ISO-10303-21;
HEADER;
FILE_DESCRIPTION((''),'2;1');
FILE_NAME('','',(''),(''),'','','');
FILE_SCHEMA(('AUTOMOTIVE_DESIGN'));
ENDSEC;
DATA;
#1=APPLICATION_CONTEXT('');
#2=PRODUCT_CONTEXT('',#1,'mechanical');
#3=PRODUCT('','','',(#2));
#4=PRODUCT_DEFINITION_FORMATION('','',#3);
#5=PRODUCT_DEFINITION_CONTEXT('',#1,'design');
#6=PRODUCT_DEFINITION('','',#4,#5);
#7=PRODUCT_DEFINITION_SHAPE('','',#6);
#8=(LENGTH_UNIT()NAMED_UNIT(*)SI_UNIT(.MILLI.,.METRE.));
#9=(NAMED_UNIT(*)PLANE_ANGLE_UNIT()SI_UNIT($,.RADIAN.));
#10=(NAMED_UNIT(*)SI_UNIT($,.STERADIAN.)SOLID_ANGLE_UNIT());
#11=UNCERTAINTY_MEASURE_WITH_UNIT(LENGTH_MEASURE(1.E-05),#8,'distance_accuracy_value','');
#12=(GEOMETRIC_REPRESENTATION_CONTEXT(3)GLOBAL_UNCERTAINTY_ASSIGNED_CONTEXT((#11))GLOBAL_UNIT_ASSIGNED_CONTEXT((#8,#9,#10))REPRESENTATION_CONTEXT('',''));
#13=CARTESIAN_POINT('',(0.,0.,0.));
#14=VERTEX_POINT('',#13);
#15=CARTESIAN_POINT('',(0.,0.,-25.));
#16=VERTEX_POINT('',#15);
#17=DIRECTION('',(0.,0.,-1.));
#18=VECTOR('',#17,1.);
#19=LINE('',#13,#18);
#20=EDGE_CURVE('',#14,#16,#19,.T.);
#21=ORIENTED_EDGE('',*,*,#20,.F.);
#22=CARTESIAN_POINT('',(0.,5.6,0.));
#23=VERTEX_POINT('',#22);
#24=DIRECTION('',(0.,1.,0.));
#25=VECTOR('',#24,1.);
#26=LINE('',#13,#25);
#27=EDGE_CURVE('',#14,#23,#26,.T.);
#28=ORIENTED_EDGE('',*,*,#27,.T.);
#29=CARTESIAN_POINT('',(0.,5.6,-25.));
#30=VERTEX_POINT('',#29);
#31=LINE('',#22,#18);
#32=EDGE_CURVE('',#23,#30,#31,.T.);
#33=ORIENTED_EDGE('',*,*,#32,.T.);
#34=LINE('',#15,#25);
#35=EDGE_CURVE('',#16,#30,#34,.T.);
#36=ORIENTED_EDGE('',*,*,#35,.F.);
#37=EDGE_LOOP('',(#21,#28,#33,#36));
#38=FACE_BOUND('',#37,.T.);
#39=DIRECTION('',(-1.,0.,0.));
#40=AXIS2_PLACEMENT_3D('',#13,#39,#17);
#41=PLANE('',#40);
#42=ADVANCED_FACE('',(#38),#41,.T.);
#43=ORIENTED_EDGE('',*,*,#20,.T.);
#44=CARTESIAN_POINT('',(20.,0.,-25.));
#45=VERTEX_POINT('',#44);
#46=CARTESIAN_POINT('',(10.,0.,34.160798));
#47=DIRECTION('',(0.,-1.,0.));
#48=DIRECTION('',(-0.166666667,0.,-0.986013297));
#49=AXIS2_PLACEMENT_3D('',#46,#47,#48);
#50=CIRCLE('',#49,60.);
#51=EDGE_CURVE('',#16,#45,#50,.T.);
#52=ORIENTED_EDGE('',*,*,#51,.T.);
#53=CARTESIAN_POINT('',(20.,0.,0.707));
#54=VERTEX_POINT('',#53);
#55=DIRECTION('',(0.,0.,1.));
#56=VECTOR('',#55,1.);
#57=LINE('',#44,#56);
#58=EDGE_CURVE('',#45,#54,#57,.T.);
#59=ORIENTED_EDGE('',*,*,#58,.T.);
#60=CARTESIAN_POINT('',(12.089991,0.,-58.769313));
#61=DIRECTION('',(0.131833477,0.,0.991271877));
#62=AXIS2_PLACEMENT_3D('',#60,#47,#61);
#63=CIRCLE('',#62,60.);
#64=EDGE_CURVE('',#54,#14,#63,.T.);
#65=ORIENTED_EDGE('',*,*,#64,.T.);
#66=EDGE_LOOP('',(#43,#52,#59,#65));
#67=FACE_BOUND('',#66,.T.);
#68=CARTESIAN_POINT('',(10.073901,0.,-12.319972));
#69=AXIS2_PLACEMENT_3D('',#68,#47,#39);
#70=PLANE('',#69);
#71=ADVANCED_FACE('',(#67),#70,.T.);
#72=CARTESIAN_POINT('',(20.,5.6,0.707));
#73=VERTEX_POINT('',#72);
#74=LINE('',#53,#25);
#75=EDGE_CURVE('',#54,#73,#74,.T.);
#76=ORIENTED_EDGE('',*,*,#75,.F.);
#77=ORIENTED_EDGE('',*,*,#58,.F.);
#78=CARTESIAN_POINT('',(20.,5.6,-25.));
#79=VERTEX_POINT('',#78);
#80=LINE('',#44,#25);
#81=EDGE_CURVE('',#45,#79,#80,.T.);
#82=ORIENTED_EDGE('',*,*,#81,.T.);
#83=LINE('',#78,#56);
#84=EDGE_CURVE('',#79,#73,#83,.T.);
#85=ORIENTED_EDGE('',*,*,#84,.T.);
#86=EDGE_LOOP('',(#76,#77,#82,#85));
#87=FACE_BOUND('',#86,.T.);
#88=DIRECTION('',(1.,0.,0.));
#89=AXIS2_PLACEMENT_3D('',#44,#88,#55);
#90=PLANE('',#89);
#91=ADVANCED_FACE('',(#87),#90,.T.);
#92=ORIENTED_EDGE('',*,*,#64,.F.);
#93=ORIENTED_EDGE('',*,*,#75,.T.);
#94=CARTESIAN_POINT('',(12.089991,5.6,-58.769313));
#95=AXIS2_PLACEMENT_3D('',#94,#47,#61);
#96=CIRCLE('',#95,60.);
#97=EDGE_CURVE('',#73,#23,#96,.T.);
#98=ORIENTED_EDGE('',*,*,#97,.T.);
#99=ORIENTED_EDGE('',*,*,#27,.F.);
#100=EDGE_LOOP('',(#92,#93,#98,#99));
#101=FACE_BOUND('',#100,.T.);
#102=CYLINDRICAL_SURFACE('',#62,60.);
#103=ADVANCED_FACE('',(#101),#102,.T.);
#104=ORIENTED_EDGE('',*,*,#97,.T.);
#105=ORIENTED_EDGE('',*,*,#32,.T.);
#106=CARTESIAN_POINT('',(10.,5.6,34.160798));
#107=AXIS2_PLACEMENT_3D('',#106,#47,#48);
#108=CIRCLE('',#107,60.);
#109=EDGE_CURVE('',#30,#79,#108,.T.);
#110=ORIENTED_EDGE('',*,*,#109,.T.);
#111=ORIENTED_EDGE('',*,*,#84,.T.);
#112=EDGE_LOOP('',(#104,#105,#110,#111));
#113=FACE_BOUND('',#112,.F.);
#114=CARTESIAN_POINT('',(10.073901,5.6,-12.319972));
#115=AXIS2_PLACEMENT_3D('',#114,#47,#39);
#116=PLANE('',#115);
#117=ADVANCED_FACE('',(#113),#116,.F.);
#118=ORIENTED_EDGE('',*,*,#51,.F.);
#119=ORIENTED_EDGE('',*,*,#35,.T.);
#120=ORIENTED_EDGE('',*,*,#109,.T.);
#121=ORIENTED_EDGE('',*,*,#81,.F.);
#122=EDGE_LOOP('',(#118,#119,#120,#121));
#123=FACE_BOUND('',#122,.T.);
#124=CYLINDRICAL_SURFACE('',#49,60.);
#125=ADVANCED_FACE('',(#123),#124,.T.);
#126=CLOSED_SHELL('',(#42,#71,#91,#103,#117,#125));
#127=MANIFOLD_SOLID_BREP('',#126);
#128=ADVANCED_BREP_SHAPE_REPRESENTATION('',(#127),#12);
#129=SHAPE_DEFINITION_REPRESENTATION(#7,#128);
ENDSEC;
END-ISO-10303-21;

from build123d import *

# Parameters (mm, degrees)
EXTRUDE_1_DEPTH = 5.6


with BuildPart() as part:
    # Эскиз1 → Бобышка-Вытянуть1 (new body)
    with BuildSketch(Plane(origin=(0, 0, 0), x_dir=(1, 0, 0), z_dir=(0, 1, 0))):
        with BuildLine():
            Line((0, 0), (0, 25))
            ThreePointArc((0, 25), (10, 25.839202169), (20, 25))
            Line((20, 25), (20, -0.706999977))
            ThreePointArc((20, -0.706999977), (9.970315411, -1.19323378), (0, 0))
        make_face()
    extrude(amount=EXTRUDE_1_DEPTH)


solid = part.part
